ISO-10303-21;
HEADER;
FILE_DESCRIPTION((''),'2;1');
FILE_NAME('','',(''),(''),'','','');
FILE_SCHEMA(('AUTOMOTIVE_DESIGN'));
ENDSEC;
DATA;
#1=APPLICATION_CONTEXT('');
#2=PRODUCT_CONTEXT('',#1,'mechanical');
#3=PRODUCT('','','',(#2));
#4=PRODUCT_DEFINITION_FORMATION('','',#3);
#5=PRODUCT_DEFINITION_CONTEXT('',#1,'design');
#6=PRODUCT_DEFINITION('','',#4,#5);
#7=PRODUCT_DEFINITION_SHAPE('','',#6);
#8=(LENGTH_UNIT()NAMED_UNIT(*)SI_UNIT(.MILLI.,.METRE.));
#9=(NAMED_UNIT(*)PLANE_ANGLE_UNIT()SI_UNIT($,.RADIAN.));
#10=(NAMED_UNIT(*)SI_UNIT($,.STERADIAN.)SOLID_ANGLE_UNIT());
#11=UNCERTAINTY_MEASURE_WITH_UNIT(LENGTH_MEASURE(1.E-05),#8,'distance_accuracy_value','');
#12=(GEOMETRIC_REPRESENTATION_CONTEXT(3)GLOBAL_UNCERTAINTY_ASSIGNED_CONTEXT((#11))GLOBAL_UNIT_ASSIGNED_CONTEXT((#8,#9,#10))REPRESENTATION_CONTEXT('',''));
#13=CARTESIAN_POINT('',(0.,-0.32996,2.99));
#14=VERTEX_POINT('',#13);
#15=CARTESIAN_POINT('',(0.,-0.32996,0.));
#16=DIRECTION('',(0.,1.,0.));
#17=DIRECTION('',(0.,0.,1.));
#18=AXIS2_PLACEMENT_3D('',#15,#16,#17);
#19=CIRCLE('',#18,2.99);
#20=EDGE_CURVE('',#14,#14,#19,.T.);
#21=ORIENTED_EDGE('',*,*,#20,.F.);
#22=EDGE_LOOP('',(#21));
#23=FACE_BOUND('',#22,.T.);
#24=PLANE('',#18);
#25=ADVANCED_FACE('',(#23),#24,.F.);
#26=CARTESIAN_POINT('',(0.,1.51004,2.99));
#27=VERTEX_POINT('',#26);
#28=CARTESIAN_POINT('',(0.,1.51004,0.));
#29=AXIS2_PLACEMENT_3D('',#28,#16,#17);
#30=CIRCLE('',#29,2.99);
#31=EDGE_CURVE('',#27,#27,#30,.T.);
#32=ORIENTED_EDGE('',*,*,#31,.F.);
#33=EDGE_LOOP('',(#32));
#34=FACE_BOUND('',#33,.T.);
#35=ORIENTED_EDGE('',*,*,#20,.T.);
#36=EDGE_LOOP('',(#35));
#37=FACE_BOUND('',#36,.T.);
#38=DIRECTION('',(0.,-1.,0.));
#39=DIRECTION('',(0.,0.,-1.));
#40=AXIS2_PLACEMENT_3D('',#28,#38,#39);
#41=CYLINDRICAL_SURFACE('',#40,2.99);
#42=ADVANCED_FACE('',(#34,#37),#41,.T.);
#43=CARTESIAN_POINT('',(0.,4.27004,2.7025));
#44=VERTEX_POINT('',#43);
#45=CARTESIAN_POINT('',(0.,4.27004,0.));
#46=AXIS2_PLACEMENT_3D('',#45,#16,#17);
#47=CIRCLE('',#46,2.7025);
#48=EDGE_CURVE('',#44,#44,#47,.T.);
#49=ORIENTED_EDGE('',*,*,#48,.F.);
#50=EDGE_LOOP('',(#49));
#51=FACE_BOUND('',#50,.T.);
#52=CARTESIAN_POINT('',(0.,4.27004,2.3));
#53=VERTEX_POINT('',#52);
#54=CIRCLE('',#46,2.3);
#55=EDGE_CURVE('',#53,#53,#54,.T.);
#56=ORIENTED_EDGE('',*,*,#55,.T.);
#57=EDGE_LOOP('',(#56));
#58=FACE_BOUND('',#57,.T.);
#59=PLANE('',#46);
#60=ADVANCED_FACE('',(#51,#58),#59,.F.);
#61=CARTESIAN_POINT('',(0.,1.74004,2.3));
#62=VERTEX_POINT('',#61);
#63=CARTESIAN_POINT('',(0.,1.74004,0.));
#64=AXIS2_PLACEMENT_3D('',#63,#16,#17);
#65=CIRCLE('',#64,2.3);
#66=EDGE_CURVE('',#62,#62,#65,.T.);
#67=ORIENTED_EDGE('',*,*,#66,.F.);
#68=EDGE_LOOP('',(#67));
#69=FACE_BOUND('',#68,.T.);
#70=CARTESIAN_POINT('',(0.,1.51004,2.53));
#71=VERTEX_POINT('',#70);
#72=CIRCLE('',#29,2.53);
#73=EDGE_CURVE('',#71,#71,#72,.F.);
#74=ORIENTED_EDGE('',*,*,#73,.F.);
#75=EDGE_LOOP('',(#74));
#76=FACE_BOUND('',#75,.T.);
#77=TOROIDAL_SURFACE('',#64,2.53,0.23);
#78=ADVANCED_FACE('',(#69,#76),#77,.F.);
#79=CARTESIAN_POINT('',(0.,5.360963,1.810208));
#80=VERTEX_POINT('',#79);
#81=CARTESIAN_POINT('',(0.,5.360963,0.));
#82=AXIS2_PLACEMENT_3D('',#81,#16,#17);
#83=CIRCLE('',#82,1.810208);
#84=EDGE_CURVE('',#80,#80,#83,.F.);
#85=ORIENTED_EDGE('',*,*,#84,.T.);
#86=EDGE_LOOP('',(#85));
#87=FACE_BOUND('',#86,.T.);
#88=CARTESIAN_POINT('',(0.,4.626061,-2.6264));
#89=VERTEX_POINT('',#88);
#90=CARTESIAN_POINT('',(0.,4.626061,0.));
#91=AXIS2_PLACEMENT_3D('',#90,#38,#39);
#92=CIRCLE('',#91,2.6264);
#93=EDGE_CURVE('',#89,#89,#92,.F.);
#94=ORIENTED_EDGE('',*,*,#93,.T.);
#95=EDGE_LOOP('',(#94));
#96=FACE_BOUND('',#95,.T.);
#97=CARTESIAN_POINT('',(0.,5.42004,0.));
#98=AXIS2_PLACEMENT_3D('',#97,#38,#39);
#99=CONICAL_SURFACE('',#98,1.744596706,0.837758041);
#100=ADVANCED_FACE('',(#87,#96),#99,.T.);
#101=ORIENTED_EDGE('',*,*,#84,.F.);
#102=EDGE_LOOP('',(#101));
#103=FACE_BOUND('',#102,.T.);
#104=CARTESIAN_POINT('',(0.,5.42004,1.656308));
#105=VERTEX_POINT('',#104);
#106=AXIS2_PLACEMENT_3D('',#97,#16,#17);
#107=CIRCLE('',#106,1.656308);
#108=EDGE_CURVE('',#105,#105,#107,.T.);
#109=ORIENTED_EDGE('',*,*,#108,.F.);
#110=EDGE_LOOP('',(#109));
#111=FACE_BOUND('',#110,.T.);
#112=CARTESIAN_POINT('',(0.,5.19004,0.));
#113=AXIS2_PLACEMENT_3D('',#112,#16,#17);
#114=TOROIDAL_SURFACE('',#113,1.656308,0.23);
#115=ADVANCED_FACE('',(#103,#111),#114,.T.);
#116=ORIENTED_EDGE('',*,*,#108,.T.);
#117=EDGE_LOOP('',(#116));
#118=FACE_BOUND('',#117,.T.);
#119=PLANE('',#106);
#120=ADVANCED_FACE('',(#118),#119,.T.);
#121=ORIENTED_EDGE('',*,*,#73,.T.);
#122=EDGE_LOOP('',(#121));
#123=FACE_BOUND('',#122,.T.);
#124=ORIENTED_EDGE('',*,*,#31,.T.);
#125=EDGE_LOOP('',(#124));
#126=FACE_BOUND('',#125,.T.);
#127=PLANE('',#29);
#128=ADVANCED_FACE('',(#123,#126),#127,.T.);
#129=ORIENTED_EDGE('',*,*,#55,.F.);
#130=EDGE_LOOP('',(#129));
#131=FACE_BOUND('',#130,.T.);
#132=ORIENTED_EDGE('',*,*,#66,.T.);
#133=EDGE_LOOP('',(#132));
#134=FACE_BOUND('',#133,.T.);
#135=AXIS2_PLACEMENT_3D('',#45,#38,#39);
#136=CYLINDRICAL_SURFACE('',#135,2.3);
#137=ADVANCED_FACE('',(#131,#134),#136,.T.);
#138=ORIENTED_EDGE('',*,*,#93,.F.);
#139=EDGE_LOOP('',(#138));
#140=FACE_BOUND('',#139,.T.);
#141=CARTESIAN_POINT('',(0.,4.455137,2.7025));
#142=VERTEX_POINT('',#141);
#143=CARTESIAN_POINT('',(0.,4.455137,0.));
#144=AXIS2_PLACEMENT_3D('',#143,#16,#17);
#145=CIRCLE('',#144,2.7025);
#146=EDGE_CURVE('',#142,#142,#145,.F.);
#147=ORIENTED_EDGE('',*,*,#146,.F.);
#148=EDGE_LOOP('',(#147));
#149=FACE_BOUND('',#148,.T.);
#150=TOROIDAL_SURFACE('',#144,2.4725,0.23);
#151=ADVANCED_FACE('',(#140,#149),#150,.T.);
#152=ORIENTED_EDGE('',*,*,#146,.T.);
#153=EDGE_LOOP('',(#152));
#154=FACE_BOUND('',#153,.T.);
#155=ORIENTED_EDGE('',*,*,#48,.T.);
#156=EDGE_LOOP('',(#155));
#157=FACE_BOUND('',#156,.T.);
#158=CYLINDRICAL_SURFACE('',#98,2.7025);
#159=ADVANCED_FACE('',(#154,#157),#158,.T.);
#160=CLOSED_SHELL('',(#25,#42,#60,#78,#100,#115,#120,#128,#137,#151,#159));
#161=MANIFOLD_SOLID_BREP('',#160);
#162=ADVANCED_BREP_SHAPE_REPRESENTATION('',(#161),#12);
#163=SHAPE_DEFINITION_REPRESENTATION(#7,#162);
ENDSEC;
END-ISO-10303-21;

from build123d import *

# Parameters (mm, degrees)
SKETCH1_R           = 2.6
BOSS_EXTRUDE1_DEPTH = 1.6
SKETCH2_R           = 2
BOSS_EXTRUDE2_DEPTH = 2.4
SKETCH3_R           = 2.35
BOSS_EXTRUDE3_DEPTH = 1
CHAMFER1_SIZE       = 0.75
CHAMFER1_SIZE2      = 0.832959386
FILLET1_R           = 0.2
SCALE1_SCALE        = 1.15


with BuildPart() as part:
    # Sketch1 → Boss-Extrude1 (new body)
    with BuildSketch(Plane(origin=(0, 0, 0), x_dir=(1, 0, 0), z_dir=(0, 1, 0))):
        Circle(SKETCH1_R)
    extrude(amount=BOSS_EXTRUDE1_DEPTH)

    # Sketch2 → Boss-Extrude2 (add)
    with BuildSketch(Plane(origin=(0, 1.6, 0), x_dir=(1, 0, 0), z_dir=(0, 1, 0))):
        Circle(SKETCH2_R)
    extrude(amount=BOSS_EXTRUDE2_DEPTH)

    # Sketch3 → Boss-Extrude3 (add)
    with BuildSketch(Plane(origin=(0, 4, 0), x_dir=(1, 0, 0), z_dir=(0, 1, 0))):
        Circle(SKETCH3_R)
    extrude(amount=BOSS_EXTRUDE3_DEPTH)

    # Chamfer1
    chamfer1_edges = [part.edges().sort_by_distance(p)[0] for p in [
        (-2.35, 5, 0),
    ]]
    chamfer1_side = [part.faces().sort_by_distance(p)[0] for p in [
        (-2.35, 4.5, 0),
    ]]
    chamfer(chamfer1_edges, length=CHAMFER1_SIZE, length2=CHAMFER1_SIZE2, reference=chamfer1_side[0])

    # Fillet1
    fillet1_edges = [part.edges().sort_by_distance(p)[0] for p in [
        (-1.517040614, 5, 0),
        (-2.35, 4.25, 0),
        (-2, 1.6, 0),
    ]]
    fillet(fillet1_edges, radius=FILLET1_R)


with BuildPart() as part_1:
    # Scale1: scaled about (-4.4e-08, 2.199734094, 0)
    add(part.part.scale(SCALE1_SCALE).moved(Location((7e-09, -0.329960114, 0))))


solid = part_1.part
